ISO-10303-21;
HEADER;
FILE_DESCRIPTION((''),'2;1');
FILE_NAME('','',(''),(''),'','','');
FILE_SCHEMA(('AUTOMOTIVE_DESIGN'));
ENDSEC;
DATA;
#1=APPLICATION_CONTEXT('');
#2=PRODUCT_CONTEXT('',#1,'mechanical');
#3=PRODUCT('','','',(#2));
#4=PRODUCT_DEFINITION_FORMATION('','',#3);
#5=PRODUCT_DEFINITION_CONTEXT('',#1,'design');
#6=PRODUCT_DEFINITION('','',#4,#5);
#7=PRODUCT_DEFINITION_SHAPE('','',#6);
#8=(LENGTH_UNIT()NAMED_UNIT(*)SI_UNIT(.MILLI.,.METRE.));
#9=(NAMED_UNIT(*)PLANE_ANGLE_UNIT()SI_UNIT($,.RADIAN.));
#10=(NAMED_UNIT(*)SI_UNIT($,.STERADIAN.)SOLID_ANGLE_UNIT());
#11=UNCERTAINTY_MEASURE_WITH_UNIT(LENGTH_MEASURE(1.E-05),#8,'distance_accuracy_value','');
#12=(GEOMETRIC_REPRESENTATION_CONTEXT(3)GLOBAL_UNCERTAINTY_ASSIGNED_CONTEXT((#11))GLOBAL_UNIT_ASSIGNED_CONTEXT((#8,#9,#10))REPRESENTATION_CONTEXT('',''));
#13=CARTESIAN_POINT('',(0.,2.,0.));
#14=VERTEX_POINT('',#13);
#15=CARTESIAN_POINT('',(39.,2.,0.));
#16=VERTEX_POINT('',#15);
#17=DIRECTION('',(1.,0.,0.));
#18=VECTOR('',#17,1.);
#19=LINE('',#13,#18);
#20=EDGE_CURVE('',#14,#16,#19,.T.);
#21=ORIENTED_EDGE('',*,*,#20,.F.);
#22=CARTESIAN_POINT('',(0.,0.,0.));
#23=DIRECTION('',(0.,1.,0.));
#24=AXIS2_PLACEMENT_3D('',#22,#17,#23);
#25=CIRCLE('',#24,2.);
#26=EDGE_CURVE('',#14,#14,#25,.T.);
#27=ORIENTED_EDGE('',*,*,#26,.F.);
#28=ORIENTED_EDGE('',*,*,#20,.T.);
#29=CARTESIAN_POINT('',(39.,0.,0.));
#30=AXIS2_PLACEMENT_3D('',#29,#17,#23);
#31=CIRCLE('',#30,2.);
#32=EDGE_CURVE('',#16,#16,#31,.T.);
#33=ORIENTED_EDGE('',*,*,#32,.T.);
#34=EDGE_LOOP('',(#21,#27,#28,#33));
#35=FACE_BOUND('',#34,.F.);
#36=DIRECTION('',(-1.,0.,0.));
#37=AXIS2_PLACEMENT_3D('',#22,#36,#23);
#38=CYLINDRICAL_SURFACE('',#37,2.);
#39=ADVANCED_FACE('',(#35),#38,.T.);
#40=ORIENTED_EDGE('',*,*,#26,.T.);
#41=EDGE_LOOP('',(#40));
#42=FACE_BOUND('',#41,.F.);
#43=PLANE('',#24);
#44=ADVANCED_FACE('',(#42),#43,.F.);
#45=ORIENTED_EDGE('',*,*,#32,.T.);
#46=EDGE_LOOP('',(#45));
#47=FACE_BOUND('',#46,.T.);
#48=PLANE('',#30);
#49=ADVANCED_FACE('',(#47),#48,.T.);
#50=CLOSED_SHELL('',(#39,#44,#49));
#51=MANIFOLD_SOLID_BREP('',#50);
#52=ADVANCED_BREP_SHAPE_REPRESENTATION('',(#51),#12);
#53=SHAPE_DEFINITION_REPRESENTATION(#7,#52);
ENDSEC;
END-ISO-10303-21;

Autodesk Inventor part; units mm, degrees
ref_plane "YZ Plane" through (0, 0, 0) normal (1, 0, 0) x (0, 1, 0)
ref_plane "XZ Plane" through (0, 0, 0) normal (0, 1, 0) x (-1, 0, 0)
ref_plane "XY Plane" through (0, 0, 0) normal (0, 0, 1) x (1, 0, 0)
sketch "スケッチ1" plane through (0, 0, 0) normal (1, 0, 0) x (0, 1, 0)
  circle A0 centre (0, 0) radius 2
  dimension "d0" = 4
extrude "押し出し1" add sketch "スケッチ1" along normal blind 39
properties part number "GearShaft_2" material "鉄、鋳鉄"
